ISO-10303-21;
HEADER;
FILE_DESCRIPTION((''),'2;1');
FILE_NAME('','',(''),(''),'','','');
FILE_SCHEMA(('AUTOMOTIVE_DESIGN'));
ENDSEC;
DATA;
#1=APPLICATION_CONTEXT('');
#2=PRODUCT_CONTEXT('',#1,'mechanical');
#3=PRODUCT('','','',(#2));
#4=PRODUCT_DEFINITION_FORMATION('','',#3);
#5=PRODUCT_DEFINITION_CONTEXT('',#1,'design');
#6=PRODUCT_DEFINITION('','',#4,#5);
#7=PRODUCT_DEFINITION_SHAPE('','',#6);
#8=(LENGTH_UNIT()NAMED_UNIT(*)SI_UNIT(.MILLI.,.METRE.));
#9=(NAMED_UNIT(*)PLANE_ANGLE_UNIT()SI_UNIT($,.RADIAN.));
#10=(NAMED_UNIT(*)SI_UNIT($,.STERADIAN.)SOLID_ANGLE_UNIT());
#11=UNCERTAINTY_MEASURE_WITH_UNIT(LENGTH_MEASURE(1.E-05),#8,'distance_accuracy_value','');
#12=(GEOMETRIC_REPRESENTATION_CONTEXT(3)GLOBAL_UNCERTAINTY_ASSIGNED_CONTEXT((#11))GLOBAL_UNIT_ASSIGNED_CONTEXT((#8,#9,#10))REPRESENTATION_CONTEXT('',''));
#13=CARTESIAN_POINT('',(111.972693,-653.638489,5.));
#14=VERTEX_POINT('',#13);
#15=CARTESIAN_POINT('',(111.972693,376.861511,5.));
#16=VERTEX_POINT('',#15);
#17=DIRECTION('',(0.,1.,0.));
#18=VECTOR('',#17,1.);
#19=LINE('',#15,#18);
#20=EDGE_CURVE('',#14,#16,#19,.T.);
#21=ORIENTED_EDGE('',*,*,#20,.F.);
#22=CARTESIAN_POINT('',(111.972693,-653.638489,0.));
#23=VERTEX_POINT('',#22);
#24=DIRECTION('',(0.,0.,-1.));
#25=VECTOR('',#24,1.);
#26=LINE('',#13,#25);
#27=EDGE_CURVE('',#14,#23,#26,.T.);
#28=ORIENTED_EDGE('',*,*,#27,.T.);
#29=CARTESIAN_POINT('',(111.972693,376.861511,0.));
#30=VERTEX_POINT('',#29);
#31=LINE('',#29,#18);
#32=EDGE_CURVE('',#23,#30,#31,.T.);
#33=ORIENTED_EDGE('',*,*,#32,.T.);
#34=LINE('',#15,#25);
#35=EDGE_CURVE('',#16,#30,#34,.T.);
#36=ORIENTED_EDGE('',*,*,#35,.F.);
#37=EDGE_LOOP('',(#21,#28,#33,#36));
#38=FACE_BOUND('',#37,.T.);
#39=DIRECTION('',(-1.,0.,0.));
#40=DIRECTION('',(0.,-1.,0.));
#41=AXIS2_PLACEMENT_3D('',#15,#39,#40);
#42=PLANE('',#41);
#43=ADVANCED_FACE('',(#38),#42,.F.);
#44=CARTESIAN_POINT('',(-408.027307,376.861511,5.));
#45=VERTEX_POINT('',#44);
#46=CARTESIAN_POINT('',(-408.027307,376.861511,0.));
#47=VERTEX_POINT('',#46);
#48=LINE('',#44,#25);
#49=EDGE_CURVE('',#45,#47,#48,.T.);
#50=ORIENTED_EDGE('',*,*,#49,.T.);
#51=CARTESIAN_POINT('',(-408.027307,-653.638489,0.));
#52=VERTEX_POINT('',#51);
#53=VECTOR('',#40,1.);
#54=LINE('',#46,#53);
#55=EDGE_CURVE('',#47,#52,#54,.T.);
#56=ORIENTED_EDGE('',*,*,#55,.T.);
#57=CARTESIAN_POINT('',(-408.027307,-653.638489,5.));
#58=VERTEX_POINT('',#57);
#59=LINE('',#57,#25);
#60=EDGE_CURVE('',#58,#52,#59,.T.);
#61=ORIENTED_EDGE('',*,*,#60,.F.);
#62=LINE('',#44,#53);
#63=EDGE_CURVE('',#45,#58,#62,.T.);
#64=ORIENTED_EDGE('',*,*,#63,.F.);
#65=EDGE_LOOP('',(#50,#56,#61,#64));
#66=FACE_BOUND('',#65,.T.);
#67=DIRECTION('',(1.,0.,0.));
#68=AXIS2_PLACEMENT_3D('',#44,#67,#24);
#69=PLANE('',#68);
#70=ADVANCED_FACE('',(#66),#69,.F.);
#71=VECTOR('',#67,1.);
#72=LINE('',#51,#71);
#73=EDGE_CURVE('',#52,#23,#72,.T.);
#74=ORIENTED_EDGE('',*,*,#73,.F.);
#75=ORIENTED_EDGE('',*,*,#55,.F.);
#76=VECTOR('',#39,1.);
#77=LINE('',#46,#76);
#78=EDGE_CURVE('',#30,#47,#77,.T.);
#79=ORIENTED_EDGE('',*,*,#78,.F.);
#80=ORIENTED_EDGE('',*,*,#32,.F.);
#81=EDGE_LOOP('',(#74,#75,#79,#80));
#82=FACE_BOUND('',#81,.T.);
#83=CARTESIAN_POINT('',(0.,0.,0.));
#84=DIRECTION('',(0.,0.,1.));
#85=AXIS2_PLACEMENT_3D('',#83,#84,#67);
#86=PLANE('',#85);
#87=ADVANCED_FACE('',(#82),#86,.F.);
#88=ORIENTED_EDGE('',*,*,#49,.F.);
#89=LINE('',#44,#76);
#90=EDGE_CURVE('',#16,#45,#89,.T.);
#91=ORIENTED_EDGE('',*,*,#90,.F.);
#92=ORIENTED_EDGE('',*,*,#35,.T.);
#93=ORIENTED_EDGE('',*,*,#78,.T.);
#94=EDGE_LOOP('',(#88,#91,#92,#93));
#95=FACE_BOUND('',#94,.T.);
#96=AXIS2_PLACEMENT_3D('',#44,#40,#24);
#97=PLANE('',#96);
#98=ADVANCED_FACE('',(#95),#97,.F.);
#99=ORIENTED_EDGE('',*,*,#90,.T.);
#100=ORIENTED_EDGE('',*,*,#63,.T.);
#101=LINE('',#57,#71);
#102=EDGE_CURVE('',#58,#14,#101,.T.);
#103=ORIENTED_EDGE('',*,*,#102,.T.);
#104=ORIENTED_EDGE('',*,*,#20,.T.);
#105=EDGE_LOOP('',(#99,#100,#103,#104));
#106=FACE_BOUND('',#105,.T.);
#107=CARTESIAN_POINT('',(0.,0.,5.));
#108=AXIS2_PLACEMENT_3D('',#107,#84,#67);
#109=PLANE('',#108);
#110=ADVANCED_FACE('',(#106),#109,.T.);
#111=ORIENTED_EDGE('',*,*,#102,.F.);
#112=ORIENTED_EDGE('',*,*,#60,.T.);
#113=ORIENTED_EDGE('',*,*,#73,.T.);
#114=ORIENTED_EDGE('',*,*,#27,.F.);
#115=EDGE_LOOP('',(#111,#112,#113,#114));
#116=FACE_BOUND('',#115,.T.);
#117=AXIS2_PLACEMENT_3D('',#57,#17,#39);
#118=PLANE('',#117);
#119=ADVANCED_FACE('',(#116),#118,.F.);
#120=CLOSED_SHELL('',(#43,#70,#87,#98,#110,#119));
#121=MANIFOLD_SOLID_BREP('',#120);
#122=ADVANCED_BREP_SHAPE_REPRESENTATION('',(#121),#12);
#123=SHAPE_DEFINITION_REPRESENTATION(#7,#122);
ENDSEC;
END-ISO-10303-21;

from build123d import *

# Parameters (mm, degrees)
ESQUISSE1_W        = 520
ESQUISSE1_H        = 1030.5
BOSS_EXTRU_1_DEPTH = 5


with BuildPart() as part:
    # Esquisse1 → Boss.-Extru.1 (new body)
    with BuildSketch(Plane.XY):
        with Locations((-148.027306533, -138.388489209)):
            Rectangle(ESQUISSE1_W, ESQUISSE1_H)
    extrude(amount=BOSS_EXTRU_1_DEPTH)


solid = part.part
